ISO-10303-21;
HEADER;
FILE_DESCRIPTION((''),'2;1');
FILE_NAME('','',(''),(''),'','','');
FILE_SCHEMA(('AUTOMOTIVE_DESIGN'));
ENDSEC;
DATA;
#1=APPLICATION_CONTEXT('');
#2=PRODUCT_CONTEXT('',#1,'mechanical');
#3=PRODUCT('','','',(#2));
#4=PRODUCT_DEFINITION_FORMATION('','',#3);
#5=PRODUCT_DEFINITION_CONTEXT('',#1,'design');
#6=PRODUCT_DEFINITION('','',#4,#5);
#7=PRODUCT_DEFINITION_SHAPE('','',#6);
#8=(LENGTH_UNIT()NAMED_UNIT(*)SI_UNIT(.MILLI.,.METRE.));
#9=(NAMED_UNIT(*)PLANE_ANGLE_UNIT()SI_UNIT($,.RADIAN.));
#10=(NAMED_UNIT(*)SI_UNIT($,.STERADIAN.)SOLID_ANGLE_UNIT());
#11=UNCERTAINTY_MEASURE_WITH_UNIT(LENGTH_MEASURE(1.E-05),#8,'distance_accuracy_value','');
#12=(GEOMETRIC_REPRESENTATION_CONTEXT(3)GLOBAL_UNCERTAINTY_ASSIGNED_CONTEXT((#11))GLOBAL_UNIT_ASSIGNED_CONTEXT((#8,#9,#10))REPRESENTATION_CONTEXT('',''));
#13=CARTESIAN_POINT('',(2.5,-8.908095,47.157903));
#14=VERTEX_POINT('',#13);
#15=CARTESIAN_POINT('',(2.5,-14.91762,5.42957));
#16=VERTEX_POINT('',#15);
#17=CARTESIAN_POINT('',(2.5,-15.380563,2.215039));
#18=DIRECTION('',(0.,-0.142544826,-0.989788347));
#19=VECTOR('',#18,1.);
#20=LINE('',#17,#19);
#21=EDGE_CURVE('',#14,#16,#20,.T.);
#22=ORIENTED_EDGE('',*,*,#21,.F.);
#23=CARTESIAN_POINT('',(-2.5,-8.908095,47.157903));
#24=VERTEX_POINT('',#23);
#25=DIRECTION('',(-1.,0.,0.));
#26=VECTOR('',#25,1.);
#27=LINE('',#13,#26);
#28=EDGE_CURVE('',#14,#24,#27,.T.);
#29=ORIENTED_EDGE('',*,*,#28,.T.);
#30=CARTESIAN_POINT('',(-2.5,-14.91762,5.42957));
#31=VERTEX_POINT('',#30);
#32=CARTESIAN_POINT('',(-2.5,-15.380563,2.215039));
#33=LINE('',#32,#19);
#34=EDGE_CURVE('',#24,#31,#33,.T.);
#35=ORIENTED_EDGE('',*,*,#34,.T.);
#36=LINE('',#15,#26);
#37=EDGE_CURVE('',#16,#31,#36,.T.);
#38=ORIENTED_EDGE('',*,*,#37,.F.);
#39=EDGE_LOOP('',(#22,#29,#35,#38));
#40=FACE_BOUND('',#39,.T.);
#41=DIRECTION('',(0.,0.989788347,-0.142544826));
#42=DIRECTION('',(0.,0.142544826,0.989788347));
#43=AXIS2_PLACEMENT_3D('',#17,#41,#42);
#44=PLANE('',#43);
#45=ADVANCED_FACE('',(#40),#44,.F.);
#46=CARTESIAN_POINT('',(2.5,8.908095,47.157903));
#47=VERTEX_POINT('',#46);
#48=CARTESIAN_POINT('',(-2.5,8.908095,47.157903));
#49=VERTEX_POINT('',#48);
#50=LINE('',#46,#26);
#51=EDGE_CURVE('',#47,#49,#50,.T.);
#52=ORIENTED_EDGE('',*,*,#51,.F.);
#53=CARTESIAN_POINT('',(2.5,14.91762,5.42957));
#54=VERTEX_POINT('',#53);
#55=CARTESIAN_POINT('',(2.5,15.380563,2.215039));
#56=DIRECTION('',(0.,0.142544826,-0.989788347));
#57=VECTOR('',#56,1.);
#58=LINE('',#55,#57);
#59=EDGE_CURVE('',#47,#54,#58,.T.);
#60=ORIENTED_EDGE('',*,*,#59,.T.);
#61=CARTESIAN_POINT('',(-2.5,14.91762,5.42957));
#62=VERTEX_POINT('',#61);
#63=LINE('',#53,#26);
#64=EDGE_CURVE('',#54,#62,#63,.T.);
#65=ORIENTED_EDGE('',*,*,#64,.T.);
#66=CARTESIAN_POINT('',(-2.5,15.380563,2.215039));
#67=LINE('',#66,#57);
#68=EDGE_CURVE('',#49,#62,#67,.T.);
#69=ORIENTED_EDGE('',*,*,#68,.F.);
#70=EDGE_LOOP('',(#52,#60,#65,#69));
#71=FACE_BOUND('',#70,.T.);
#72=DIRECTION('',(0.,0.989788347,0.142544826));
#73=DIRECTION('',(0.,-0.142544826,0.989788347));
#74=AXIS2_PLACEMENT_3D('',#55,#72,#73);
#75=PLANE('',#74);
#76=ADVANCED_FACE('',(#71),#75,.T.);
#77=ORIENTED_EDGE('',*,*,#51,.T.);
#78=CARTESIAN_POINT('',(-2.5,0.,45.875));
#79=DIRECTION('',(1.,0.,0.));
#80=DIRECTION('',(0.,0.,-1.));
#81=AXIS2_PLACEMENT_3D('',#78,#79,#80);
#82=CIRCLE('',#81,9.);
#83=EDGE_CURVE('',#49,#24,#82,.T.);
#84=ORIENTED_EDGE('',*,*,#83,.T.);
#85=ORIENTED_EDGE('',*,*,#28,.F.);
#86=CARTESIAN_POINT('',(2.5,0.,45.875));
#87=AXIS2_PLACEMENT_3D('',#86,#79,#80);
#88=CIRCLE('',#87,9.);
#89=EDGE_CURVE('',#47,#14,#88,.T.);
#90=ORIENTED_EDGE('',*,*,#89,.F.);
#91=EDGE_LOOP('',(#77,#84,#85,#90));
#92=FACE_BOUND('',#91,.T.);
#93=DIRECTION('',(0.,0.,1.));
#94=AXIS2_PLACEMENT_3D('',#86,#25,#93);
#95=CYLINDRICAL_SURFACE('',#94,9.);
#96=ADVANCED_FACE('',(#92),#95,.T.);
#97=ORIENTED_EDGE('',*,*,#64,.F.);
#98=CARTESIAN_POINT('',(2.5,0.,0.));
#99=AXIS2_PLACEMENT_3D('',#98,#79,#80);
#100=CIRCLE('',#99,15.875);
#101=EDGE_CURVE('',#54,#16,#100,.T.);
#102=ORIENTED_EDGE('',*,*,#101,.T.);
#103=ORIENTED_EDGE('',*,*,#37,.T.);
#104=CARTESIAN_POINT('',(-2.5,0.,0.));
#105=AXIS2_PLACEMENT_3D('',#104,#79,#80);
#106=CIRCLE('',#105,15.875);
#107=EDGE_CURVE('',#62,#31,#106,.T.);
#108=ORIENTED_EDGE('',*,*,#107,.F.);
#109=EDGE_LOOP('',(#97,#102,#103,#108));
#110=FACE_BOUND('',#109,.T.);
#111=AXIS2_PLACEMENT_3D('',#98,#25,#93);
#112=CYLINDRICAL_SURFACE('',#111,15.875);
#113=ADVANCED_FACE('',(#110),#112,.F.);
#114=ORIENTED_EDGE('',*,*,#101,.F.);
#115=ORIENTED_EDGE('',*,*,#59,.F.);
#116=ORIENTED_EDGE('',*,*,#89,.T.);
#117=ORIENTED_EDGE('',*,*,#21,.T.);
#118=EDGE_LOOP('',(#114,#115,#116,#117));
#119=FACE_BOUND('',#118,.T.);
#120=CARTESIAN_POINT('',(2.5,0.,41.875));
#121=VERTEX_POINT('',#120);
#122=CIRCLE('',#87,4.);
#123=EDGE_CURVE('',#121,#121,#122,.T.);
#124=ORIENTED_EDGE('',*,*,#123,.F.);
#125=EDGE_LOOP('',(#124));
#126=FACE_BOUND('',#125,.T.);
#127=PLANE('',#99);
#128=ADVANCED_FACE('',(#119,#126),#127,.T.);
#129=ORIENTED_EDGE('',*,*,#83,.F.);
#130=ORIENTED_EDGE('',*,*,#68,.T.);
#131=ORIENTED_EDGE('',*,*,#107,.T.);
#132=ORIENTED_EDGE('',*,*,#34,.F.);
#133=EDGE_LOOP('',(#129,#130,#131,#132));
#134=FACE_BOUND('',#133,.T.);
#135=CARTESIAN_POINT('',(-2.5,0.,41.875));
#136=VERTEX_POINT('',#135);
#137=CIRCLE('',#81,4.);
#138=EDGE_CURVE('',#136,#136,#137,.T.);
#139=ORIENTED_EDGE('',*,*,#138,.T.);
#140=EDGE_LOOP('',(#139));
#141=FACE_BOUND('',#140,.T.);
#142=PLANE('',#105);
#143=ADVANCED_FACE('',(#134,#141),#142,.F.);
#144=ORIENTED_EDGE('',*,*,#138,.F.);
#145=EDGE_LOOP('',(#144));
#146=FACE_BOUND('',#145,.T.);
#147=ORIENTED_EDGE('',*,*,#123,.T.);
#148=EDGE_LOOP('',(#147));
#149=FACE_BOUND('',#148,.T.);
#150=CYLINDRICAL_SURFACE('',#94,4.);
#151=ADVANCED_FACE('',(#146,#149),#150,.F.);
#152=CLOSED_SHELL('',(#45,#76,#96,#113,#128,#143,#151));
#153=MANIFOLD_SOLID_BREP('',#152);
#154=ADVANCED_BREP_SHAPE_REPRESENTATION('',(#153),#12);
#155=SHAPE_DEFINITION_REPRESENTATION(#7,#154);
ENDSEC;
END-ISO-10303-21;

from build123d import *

# Parameters (mm, degrees)
BOSS_EXTRUDE1_DEPTH = 2.5


with BuildPart() as part:
    # Sketch1 → Boss-Extrude1 (new, symmetric)
    with BuildSketch(Plane.YZ):
        with BuildLine():
            ThreePointArc((-14.917620355, 5.429569775), (-9.105525927, 13.004038703), (0, 15.875))
            ThreePointArc((0, 15.875), (9.105525927, 13.004038703), (14.917620355, 5.429569775))
            Line((14.917620355, 5.429569775), (8.908095127, 47.157903431))
            ThreePointArc((8.908095127, 47.157903431), (0, 54.875), (-8.908095127, 47.157903431))
            Line((-8.908095127, 47.157903431), (-14.917620355, 5.429569775))
        make_face()
        with BuildLine():
            ThreePointArc((4, 45.875), (2.828427125, 43.046572875), (0, 41.875))
            ThreePointArc((0, 41.875), (-2.828427125, 48.703427125), (4, 45.875))
        make_face(mode=Mode.SUBTRACT)
    extrude(amount=BOSS_EXTRUDE1_DEPTH, both=True)


solid = part.part
